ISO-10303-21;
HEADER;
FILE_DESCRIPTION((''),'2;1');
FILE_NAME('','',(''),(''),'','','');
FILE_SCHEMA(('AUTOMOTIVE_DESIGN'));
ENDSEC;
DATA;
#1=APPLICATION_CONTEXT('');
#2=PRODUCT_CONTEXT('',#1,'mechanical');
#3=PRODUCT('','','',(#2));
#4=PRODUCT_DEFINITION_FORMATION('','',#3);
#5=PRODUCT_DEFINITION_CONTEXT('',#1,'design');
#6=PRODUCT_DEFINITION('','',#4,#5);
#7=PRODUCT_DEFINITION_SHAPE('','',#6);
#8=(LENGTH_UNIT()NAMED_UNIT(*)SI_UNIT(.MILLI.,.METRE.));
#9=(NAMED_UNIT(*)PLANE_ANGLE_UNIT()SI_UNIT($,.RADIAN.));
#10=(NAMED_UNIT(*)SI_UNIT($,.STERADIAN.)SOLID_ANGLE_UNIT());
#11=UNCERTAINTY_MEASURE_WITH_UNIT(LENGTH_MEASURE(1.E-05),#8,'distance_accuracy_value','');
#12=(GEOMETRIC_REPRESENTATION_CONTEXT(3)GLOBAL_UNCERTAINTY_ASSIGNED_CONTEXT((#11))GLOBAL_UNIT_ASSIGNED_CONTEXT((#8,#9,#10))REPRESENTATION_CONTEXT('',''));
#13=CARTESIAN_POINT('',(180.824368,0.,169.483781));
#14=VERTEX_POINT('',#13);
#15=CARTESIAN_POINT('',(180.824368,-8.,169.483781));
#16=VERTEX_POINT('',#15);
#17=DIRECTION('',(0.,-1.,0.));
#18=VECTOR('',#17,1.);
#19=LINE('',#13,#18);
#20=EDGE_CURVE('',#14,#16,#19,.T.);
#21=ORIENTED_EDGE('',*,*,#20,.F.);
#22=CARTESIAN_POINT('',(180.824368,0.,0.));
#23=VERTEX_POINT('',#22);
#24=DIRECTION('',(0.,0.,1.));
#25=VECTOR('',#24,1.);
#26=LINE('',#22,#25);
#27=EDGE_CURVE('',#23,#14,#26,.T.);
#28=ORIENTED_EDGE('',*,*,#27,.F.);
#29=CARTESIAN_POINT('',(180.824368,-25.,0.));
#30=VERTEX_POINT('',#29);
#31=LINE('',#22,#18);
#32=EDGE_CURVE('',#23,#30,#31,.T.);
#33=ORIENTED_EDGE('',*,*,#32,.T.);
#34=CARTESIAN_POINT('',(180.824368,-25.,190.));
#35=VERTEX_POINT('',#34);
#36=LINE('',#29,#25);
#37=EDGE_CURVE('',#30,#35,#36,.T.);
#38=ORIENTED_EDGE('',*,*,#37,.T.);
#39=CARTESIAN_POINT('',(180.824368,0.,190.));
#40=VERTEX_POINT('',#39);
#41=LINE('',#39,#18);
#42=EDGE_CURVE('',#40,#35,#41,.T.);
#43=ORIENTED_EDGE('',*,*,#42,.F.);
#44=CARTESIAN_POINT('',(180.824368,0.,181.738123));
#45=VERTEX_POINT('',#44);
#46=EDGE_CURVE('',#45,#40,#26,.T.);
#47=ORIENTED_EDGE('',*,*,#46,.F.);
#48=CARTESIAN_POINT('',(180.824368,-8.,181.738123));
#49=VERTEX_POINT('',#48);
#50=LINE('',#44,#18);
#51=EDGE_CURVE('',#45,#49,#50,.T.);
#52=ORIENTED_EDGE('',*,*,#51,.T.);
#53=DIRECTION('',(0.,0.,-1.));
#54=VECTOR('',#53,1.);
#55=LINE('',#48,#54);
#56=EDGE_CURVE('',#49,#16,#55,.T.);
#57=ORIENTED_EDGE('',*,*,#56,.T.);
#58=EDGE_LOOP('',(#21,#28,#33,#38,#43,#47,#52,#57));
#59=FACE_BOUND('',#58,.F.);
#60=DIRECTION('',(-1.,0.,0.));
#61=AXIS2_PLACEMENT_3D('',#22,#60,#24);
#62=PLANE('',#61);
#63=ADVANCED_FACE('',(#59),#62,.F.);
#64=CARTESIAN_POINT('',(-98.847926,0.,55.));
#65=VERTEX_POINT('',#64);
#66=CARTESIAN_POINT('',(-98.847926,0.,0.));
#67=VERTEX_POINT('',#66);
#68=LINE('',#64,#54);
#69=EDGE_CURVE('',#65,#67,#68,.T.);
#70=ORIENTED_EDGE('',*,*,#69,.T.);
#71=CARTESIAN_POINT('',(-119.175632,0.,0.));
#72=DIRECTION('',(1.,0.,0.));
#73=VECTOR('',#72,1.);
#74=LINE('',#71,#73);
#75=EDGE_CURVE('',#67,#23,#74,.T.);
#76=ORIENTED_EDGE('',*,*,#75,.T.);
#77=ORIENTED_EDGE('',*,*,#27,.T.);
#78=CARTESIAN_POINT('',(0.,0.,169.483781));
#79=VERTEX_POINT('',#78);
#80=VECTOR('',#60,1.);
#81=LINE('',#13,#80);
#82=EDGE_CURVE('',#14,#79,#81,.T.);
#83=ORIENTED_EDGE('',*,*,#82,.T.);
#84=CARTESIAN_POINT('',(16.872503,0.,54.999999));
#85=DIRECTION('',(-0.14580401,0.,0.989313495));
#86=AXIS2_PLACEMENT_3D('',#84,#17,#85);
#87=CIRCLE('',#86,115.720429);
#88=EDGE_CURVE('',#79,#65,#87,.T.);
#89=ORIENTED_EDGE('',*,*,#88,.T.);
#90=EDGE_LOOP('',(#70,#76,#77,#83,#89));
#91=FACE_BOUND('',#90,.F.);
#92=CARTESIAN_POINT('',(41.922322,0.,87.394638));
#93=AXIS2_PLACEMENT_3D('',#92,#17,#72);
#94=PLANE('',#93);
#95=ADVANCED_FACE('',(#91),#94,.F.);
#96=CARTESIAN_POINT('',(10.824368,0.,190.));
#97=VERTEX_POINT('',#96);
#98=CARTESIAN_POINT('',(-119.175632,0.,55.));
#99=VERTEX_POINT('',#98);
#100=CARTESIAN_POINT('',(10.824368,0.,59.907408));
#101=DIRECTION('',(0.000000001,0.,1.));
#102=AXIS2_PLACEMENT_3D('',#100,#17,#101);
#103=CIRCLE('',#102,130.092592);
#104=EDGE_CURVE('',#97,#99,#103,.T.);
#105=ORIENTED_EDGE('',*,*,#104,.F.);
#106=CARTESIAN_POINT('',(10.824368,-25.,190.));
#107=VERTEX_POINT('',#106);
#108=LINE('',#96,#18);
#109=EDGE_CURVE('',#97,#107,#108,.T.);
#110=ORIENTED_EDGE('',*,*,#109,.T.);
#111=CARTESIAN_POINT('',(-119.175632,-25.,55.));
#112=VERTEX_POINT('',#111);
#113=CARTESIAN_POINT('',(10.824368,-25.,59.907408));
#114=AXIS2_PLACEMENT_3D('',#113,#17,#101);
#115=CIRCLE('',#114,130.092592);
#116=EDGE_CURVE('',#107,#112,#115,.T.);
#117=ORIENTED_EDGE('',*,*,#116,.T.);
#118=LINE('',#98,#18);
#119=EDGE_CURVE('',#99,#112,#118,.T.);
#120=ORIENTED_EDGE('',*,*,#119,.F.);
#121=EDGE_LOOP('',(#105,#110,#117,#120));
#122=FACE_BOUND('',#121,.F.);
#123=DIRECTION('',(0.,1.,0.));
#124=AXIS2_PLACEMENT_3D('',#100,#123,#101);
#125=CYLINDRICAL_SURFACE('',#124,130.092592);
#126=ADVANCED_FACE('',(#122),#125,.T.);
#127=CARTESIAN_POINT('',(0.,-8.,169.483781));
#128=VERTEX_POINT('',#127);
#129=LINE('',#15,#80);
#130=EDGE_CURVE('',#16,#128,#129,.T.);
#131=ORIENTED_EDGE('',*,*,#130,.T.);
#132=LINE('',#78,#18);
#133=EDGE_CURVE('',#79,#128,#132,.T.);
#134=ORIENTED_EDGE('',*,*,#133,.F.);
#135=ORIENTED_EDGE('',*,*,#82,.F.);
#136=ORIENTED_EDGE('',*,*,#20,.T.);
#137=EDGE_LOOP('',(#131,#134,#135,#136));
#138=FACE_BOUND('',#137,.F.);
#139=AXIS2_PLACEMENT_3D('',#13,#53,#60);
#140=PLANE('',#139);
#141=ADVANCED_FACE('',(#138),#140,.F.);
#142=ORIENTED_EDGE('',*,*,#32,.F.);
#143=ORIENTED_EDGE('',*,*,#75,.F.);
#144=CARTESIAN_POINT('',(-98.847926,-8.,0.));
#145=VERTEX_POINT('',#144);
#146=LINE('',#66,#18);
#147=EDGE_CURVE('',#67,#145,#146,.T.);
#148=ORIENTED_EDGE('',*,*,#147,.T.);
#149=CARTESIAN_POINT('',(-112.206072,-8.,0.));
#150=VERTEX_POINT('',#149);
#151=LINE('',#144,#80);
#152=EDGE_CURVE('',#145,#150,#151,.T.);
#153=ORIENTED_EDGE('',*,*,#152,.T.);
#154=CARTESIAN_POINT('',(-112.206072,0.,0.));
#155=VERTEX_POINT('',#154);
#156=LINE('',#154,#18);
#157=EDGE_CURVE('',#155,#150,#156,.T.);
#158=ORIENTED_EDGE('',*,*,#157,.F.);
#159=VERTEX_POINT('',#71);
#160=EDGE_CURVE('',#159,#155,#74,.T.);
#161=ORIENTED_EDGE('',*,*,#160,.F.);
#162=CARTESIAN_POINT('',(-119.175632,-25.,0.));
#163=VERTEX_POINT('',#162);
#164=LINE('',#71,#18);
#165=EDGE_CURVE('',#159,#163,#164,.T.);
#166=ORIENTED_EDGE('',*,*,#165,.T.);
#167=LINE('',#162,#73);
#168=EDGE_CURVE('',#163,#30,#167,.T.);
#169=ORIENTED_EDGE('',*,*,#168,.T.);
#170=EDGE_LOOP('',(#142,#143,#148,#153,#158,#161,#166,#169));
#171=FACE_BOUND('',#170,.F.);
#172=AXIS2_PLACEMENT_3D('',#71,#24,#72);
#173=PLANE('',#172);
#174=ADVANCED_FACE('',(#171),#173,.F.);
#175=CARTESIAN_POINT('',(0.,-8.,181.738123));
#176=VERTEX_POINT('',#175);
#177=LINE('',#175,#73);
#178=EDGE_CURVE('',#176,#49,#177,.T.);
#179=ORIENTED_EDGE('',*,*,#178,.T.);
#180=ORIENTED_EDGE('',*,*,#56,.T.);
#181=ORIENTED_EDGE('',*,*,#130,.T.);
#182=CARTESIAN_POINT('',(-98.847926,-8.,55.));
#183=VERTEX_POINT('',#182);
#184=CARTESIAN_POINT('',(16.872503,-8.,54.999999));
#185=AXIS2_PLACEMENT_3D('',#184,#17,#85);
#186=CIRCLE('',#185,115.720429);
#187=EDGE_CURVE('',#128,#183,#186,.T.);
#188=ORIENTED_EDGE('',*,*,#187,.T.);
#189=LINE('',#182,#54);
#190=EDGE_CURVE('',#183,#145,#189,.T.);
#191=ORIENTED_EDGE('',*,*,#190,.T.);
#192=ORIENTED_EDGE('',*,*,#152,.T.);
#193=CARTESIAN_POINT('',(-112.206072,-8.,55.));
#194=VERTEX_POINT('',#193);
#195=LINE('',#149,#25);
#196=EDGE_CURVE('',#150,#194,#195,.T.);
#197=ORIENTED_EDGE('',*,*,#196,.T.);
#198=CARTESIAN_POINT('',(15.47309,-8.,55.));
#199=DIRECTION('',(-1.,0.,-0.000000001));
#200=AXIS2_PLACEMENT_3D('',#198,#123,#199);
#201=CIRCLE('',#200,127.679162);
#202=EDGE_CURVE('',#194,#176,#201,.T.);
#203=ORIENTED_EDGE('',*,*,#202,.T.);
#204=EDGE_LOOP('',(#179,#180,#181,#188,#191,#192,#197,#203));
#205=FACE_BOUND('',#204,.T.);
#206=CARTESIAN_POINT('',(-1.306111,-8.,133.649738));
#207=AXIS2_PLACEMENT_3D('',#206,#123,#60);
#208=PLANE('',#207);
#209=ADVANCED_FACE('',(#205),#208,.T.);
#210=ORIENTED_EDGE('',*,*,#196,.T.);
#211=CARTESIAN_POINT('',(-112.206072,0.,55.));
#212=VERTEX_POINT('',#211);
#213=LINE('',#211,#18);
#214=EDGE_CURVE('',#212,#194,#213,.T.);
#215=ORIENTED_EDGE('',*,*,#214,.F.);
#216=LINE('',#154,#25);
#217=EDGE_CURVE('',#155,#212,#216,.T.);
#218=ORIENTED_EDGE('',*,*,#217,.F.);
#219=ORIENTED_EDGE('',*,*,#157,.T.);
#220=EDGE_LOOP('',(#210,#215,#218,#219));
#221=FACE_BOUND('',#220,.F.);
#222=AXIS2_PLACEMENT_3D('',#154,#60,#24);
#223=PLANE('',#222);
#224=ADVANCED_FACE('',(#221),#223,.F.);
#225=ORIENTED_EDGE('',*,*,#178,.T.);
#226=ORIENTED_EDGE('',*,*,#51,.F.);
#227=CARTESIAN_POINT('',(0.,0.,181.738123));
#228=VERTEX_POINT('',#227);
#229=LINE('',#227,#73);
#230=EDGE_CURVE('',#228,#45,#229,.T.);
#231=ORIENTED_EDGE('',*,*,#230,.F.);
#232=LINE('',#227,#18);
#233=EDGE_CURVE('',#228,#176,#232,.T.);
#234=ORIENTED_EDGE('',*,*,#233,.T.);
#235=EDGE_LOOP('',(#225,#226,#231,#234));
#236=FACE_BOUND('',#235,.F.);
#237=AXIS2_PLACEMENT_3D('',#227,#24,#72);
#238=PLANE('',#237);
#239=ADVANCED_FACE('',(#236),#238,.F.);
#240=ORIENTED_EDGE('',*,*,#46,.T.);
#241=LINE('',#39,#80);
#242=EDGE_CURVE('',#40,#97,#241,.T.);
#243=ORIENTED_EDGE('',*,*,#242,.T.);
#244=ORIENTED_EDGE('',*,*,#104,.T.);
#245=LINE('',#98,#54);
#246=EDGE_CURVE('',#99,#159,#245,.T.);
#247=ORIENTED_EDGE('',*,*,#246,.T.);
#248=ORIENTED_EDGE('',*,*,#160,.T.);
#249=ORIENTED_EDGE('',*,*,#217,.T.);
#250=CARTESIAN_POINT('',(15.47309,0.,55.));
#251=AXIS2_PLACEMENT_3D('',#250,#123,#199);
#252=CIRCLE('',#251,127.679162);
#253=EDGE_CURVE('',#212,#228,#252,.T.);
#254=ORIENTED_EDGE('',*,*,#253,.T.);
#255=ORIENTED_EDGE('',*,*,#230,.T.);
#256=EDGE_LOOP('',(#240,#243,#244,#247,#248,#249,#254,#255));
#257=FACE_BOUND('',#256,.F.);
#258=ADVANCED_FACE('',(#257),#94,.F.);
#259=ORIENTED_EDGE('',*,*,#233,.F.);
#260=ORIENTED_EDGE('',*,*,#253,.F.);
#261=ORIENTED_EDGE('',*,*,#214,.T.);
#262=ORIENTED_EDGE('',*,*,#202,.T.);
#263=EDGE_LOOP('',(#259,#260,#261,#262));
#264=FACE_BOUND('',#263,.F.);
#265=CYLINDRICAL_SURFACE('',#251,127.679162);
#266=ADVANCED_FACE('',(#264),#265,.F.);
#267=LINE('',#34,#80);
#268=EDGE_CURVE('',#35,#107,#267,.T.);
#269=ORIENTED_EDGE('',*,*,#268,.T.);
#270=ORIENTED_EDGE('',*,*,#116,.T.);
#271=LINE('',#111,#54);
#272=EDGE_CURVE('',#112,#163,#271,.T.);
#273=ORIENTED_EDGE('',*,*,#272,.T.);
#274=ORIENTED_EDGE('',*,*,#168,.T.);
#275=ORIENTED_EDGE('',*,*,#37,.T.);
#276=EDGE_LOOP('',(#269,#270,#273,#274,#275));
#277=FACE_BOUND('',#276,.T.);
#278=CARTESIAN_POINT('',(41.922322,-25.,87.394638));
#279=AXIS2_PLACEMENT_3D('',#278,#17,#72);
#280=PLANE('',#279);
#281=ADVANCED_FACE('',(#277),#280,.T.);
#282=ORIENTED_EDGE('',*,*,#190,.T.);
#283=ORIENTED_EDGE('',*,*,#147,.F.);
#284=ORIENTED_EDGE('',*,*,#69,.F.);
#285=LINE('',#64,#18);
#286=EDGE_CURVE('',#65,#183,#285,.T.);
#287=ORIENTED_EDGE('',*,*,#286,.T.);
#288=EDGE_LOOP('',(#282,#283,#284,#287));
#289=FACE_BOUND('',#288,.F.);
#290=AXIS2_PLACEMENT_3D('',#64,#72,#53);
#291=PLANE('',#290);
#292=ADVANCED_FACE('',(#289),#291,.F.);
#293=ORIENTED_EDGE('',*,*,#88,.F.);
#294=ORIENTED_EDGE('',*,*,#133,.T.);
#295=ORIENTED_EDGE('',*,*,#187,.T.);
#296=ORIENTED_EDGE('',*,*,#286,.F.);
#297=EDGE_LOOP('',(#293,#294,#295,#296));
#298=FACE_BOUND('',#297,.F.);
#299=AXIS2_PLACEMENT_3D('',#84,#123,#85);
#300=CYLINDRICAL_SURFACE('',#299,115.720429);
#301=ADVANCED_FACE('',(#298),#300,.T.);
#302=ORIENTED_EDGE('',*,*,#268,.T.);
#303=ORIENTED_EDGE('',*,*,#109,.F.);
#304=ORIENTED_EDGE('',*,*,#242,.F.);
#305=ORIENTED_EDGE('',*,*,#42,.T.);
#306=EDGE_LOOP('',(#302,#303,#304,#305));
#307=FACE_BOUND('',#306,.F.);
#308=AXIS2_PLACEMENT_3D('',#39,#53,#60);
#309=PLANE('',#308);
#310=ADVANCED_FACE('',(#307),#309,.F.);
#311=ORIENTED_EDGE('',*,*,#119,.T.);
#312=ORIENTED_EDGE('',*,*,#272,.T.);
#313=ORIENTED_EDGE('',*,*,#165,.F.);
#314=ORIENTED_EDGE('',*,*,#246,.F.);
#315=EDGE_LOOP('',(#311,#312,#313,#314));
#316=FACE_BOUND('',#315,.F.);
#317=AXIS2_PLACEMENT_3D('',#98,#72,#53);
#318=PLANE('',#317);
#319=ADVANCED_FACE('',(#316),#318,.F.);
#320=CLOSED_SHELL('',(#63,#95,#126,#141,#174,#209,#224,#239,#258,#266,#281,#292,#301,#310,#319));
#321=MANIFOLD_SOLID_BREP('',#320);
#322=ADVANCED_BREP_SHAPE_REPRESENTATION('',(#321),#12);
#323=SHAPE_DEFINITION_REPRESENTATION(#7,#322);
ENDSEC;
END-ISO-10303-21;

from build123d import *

# Parameters (mm, degrees)
F1_DEPTH = 25
F3_DEPTH = 8


with BuildPart() as f1:
    # F0 (on Front) → F1 (new body)
    with BuildSketch(Plane.XZ):
        with BuildLine():
            Line((-119.175632, 55), (-119.175632, 0))
            Line((-119.175632, 0), (180.824368, 0))
            Line((180.824368, 0), (180.824368, 190))
            Line((180.824368, 190), (10.824368, 190))
            ThreePointArc((10.824368, 190), (-82.883956, 150.145053), (-119.175632, 55))
        make_face()
    extrude(amount=F1_DEPTH)

    # F2 (on face) → F3 (cut)
    with BuildSketch(Plane(origin=(0, 0, 0), x_dir=(-1, 0, 0), z_dir=(0, 1, 0))):
        with BuildLine():
            Line((0, 181.738123), (-180.824368, 181.738123))
            Line((-180.824368, 181.738123), (-180.824368, 169.483781))
            Line((-180.824368, 169.483781), (0, 169.483781))
            ThreePointArc((0, 169.483781), (70.716626, 130.626464), (98.847926, 55))
            Line((98.847926, 55), (98.847926, 0))
            Line((98.847926, 0), (112.206072, 0))
            Line((112.206072, 0), (112.206072, 55))
            ThreePointArc((112.206072, 55), (80.123875, 139.635623), (0, 181.738123))
        make_face()
    extrude(amount=-F3_DEPTH, mode=Mode.SUBTRACT)


solid = f1.part
